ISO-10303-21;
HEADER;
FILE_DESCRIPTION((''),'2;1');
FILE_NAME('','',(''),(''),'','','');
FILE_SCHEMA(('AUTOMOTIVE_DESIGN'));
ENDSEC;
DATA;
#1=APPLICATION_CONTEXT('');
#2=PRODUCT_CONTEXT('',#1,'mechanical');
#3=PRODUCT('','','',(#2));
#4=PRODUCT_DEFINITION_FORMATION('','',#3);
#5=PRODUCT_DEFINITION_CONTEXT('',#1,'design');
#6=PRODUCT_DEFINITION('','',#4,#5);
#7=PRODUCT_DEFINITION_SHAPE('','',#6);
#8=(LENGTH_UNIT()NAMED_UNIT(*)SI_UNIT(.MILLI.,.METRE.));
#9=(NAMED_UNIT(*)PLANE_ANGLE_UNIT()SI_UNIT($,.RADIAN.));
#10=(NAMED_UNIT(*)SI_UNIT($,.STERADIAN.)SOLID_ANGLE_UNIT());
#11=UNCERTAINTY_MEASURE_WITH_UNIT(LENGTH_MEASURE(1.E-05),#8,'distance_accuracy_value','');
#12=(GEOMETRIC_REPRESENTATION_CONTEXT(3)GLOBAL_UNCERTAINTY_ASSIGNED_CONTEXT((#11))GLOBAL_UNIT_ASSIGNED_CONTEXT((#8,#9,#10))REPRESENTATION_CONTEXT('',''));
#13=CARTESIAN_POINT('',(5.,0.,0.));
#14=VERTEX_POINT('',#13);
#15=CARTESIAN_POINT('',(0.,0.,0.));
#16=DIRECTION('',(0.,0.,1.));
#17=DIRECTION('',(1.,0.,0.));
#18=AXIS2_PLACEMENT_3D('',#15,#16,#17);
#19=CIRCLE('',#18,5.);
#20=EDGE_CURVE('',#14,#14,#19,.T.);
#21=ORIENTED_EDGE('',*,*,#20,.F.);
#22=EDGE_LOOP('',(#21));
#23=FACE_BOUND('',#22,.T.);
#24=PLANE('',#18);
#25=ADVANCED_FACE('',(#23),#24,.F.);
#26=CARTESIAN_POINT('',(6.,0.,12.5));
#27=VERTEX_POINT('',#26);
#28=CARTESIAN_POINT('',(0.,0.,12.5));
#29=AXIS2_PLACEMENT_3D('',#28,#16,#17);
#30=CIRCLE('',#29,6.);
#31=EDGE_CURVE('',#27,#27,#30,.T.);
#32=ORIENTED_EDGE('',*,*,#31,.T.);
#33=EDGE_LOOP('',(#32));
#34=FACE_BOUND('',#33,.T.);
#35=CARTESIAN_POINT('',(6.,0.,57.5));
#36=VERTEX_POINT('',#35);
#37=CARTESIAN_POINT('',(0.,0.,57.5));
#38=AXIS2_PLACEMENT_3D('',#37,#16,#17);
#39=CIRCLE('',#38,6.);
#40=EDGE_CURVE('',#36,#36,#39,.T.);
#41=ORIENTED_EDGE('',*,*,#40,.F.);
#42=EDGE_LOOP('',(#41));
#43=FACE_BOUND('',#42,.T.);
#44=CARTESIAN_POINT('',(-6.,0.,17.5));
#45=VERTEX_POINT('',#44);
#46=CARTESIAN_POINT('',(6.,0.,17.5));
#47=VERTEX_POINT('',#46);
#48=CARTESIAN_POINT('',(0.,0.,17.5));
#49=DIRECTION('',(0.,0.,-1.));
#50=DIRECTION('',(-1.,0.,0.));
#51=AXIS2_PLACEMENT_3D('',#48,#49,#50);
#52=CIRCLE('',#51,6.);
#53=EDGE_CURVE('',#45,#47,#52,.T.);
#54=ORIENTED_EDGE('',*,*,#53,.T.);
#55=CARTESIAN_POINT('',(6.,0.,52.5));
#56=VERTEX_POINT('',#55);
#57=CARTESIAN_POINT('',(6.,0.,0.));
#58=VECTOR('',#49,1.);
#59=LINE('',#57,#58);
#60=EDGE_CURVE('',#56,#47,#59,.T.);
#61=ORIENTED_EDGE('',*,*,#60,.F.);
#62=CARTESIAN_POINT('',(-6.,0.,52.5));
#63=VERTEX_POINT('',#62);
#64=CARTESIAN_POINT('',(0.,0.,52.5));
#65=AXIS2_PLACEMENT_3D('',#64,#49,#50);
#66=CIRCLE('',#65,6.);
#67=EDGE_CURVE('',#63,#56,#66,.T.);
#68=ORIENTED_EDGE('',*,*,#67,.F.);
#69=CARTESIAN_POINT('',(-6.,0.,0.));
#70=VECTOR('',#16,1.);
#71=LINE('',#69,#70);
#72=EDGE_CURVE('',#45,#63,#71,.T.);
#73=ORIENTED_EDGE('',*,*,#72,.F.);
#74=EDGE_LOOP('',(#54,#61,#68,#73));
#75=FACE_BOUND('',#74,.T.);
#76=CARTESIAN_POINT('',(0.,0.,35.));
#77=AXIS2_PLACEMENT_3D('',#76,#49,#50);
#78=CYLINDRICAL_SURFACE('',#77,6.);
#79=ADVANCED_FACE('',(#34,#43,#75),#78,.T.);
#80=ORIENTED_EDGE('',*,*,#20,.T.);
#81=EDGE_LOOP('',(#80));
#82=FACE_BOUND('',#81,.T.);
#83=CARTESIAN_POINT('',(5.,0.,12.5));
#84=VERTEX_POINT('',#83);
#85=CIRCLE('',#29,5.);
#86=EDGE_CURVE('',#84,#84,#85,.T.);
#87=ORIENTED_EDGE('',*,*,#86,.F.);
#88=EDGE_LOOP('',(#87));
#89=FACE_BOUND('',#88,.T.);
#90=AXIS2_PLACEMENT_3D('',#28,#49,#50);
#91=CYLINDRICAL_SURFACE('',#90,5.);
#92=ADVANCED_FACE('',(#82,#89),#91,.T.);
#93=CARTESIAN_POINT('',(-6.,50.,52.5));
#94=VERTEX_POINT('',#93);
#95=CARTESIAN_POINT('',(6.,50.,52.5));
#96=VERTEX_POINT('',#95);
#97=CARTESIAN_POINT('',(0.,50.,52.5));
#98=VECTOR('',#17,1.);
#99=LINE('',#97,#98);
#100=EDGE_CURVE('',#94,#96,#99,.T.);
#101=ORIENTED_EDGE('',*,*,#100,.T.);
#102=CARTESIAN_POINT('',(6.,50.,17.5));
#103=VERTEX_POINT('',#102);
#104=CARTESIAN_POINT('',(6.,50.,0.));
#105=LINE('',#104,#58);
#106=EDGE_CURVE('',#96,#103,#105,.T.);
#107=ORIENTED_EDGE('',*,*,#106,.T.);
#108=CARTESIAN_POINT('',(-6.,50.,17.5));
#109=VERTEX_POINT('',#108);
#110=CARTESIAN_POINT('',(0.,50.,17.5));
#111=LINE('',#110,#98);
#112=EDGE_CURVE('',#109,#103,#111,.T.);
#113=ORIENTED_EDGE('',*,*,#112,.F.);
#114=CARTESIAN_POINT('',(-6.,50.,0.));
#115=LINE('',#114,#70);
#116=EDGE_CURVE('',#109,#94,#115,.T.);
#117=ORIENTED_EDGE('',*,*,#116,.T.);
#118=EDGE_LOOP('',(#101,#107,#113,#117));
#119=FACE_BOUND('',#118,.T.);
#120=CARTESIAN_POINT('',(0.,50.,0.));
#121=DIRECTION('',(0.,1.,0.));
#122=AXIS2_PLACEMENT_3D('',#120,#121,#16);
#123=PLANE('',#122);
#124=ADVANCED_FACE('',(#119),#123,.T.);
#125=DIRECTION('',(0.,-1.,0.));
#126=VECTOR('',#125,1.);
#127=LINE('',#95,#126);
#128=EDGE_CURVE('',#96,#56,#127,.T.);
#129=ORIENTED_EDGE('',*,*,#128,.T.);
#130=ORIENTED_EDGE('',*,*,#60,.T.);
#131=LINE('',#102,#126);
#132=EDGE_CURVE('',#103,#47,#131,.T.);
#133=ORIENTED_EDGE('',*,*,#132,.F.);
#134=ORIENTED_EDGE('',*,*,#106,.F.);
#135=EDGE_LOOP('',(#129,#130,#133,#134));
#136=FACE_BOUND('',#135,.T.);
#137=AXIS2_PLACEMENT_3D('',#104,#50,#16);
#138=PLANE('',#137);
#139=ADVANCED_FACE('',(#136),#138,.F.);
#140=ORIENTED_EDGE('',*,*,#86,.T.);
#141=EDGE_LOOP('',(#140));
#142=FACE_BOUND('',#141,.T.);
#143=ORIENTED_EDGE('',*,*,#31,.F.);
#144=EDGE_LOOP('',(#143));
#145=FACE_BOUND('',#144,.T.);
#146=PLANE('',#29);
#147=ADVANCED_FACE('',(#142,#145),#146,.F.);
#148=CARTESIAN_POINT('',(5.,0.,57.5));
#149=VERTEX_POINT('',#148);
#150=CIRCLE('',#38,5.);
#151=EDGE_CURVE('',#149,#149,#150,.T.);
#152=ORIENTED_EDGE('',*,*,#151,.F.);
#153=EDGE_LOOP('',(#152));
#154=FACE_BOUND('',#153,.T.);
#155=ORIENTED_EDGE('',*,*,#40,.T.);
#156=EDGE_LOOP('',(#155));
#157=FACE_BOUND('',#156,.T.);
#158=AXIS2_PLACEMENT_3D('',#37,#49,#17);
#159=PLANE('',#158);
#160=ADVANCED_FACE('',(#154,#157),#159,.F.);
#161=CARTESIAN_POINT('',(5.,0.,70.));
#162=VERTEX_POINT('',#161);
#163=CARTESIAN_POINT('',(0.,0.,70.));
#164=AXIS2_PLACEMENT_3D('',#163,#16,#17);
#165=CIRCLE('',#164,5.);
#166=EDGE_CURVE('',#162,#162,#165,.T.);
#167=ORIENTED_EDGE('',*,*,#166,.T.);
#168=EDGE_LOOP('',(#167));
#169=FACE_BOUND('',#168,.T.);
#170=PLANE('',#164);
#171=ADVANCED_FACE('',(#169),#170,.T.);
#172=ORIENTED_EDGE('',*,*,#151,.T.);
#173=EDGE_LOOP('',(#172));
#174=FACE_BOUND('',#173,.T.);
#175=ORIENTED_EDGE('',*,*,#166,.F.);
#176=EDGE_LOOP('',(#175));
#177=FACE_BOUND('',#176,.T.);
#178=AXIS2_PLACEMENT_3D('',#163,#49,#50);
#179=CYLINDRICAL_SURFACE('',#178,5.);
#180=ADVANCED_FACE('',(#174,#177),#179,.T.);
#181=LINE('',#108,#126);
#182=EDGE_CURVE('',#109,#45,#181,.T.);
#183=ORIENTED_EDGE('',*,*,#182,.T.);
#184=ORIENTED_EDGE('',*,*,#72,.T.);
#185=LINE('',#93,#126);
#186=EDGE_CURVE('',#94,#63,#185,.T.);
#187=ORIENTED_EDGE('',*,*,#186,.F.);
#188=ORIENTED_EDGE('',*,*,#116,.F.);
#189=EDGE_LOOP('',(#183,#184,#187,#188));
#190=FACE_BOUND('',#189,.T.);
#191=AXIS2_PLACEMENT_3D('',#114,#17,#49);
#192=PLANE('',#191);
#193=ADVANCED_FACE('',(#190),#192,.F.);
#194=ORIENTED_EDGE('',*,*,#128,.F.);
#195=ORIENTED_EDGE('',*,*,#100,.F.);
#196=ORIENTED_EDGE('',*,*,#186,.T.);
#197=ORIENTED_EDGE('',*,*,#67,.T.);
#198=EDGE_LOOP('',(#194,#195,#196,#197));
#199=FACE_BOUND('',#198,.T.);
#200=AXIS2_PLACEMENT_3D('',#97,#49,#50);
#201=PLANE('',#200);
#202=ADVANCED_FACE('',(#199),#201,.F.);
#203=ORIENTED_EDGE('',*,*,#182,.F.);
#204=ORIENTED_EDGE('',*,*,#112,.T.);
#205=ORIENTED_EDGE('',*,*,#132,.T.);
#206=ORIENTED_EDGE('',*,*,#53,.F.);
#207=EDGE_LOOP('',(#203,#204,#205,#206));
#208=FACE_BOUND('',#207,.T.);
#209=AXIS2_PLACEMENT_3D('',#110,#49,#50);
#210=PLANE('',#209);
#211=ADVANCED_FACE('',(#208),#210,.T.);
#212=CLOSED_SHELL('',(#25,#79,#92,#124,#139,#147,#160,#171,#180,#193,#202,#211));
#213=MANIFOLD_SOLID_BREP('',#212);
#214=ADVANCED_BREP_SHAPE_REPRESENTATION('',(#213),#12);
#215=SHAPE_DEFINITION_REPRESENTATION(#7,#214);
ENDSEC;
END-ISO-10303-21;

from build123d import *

# Parameters (mm, degrees)
SKETCH_1_R      = 5
EXTRUDE_1_DEPTH = 12.5
SKETCH_2_R      = 6
EXTRUDE_2_DEPTH = 22.5
SKETCH_3_R      = 5
EXTRUDE_3_DEPTH = 12.5
SKETCH_4_W      = 12
SKETCH_4_H      = 35
EXTRUDE_4_DEPTH = 50


with BuildPart() as part:
    # 草图1 → 凸台-拉伸1 (new body)
    with BuildSketch(Plane.XY):
        Circle(SKETCH_1_R)
    extrude(amount=EXTRUDE_1_DEPTH)

    # 草图2 → 凸台-拉伸2 (add)
    with BuildSketch(Plane.XY.offset(12.5)):
        with Locations(Location((0, 0, 0), (0, 0, 180))):
            Circle(SKETCH_2_R)
    extrude_2 = extrude(amount=EXTRUDE_2_DEPTH)

    # 镜向2: 凸台-拉伸2 across plane
    add(extrude_2.mirror(Plane.XY.offset(35)))

    # 草图3 → 凸台-拉伸3 (add)
    with BuildSketch(Plane.XY.offset(57.5)):
        Circle(SKETCH_3_R)
    extrude(amount=EXTRUDE_3_DEPTH)

    # 草图4 → 凸台-拉伸4 (add)
    with BuildSketch(Plane(origin=(0, 0, 0), x_dir=(1, 0, 0), z_dir=(0, 1, 0))):
        with Locations((0, -35)):
            Rectangle(SKETCH_4_W, SKETCH_4_H)
    extrude(amount=EXTRUDE_4_DEPTH)


solid = part.part
